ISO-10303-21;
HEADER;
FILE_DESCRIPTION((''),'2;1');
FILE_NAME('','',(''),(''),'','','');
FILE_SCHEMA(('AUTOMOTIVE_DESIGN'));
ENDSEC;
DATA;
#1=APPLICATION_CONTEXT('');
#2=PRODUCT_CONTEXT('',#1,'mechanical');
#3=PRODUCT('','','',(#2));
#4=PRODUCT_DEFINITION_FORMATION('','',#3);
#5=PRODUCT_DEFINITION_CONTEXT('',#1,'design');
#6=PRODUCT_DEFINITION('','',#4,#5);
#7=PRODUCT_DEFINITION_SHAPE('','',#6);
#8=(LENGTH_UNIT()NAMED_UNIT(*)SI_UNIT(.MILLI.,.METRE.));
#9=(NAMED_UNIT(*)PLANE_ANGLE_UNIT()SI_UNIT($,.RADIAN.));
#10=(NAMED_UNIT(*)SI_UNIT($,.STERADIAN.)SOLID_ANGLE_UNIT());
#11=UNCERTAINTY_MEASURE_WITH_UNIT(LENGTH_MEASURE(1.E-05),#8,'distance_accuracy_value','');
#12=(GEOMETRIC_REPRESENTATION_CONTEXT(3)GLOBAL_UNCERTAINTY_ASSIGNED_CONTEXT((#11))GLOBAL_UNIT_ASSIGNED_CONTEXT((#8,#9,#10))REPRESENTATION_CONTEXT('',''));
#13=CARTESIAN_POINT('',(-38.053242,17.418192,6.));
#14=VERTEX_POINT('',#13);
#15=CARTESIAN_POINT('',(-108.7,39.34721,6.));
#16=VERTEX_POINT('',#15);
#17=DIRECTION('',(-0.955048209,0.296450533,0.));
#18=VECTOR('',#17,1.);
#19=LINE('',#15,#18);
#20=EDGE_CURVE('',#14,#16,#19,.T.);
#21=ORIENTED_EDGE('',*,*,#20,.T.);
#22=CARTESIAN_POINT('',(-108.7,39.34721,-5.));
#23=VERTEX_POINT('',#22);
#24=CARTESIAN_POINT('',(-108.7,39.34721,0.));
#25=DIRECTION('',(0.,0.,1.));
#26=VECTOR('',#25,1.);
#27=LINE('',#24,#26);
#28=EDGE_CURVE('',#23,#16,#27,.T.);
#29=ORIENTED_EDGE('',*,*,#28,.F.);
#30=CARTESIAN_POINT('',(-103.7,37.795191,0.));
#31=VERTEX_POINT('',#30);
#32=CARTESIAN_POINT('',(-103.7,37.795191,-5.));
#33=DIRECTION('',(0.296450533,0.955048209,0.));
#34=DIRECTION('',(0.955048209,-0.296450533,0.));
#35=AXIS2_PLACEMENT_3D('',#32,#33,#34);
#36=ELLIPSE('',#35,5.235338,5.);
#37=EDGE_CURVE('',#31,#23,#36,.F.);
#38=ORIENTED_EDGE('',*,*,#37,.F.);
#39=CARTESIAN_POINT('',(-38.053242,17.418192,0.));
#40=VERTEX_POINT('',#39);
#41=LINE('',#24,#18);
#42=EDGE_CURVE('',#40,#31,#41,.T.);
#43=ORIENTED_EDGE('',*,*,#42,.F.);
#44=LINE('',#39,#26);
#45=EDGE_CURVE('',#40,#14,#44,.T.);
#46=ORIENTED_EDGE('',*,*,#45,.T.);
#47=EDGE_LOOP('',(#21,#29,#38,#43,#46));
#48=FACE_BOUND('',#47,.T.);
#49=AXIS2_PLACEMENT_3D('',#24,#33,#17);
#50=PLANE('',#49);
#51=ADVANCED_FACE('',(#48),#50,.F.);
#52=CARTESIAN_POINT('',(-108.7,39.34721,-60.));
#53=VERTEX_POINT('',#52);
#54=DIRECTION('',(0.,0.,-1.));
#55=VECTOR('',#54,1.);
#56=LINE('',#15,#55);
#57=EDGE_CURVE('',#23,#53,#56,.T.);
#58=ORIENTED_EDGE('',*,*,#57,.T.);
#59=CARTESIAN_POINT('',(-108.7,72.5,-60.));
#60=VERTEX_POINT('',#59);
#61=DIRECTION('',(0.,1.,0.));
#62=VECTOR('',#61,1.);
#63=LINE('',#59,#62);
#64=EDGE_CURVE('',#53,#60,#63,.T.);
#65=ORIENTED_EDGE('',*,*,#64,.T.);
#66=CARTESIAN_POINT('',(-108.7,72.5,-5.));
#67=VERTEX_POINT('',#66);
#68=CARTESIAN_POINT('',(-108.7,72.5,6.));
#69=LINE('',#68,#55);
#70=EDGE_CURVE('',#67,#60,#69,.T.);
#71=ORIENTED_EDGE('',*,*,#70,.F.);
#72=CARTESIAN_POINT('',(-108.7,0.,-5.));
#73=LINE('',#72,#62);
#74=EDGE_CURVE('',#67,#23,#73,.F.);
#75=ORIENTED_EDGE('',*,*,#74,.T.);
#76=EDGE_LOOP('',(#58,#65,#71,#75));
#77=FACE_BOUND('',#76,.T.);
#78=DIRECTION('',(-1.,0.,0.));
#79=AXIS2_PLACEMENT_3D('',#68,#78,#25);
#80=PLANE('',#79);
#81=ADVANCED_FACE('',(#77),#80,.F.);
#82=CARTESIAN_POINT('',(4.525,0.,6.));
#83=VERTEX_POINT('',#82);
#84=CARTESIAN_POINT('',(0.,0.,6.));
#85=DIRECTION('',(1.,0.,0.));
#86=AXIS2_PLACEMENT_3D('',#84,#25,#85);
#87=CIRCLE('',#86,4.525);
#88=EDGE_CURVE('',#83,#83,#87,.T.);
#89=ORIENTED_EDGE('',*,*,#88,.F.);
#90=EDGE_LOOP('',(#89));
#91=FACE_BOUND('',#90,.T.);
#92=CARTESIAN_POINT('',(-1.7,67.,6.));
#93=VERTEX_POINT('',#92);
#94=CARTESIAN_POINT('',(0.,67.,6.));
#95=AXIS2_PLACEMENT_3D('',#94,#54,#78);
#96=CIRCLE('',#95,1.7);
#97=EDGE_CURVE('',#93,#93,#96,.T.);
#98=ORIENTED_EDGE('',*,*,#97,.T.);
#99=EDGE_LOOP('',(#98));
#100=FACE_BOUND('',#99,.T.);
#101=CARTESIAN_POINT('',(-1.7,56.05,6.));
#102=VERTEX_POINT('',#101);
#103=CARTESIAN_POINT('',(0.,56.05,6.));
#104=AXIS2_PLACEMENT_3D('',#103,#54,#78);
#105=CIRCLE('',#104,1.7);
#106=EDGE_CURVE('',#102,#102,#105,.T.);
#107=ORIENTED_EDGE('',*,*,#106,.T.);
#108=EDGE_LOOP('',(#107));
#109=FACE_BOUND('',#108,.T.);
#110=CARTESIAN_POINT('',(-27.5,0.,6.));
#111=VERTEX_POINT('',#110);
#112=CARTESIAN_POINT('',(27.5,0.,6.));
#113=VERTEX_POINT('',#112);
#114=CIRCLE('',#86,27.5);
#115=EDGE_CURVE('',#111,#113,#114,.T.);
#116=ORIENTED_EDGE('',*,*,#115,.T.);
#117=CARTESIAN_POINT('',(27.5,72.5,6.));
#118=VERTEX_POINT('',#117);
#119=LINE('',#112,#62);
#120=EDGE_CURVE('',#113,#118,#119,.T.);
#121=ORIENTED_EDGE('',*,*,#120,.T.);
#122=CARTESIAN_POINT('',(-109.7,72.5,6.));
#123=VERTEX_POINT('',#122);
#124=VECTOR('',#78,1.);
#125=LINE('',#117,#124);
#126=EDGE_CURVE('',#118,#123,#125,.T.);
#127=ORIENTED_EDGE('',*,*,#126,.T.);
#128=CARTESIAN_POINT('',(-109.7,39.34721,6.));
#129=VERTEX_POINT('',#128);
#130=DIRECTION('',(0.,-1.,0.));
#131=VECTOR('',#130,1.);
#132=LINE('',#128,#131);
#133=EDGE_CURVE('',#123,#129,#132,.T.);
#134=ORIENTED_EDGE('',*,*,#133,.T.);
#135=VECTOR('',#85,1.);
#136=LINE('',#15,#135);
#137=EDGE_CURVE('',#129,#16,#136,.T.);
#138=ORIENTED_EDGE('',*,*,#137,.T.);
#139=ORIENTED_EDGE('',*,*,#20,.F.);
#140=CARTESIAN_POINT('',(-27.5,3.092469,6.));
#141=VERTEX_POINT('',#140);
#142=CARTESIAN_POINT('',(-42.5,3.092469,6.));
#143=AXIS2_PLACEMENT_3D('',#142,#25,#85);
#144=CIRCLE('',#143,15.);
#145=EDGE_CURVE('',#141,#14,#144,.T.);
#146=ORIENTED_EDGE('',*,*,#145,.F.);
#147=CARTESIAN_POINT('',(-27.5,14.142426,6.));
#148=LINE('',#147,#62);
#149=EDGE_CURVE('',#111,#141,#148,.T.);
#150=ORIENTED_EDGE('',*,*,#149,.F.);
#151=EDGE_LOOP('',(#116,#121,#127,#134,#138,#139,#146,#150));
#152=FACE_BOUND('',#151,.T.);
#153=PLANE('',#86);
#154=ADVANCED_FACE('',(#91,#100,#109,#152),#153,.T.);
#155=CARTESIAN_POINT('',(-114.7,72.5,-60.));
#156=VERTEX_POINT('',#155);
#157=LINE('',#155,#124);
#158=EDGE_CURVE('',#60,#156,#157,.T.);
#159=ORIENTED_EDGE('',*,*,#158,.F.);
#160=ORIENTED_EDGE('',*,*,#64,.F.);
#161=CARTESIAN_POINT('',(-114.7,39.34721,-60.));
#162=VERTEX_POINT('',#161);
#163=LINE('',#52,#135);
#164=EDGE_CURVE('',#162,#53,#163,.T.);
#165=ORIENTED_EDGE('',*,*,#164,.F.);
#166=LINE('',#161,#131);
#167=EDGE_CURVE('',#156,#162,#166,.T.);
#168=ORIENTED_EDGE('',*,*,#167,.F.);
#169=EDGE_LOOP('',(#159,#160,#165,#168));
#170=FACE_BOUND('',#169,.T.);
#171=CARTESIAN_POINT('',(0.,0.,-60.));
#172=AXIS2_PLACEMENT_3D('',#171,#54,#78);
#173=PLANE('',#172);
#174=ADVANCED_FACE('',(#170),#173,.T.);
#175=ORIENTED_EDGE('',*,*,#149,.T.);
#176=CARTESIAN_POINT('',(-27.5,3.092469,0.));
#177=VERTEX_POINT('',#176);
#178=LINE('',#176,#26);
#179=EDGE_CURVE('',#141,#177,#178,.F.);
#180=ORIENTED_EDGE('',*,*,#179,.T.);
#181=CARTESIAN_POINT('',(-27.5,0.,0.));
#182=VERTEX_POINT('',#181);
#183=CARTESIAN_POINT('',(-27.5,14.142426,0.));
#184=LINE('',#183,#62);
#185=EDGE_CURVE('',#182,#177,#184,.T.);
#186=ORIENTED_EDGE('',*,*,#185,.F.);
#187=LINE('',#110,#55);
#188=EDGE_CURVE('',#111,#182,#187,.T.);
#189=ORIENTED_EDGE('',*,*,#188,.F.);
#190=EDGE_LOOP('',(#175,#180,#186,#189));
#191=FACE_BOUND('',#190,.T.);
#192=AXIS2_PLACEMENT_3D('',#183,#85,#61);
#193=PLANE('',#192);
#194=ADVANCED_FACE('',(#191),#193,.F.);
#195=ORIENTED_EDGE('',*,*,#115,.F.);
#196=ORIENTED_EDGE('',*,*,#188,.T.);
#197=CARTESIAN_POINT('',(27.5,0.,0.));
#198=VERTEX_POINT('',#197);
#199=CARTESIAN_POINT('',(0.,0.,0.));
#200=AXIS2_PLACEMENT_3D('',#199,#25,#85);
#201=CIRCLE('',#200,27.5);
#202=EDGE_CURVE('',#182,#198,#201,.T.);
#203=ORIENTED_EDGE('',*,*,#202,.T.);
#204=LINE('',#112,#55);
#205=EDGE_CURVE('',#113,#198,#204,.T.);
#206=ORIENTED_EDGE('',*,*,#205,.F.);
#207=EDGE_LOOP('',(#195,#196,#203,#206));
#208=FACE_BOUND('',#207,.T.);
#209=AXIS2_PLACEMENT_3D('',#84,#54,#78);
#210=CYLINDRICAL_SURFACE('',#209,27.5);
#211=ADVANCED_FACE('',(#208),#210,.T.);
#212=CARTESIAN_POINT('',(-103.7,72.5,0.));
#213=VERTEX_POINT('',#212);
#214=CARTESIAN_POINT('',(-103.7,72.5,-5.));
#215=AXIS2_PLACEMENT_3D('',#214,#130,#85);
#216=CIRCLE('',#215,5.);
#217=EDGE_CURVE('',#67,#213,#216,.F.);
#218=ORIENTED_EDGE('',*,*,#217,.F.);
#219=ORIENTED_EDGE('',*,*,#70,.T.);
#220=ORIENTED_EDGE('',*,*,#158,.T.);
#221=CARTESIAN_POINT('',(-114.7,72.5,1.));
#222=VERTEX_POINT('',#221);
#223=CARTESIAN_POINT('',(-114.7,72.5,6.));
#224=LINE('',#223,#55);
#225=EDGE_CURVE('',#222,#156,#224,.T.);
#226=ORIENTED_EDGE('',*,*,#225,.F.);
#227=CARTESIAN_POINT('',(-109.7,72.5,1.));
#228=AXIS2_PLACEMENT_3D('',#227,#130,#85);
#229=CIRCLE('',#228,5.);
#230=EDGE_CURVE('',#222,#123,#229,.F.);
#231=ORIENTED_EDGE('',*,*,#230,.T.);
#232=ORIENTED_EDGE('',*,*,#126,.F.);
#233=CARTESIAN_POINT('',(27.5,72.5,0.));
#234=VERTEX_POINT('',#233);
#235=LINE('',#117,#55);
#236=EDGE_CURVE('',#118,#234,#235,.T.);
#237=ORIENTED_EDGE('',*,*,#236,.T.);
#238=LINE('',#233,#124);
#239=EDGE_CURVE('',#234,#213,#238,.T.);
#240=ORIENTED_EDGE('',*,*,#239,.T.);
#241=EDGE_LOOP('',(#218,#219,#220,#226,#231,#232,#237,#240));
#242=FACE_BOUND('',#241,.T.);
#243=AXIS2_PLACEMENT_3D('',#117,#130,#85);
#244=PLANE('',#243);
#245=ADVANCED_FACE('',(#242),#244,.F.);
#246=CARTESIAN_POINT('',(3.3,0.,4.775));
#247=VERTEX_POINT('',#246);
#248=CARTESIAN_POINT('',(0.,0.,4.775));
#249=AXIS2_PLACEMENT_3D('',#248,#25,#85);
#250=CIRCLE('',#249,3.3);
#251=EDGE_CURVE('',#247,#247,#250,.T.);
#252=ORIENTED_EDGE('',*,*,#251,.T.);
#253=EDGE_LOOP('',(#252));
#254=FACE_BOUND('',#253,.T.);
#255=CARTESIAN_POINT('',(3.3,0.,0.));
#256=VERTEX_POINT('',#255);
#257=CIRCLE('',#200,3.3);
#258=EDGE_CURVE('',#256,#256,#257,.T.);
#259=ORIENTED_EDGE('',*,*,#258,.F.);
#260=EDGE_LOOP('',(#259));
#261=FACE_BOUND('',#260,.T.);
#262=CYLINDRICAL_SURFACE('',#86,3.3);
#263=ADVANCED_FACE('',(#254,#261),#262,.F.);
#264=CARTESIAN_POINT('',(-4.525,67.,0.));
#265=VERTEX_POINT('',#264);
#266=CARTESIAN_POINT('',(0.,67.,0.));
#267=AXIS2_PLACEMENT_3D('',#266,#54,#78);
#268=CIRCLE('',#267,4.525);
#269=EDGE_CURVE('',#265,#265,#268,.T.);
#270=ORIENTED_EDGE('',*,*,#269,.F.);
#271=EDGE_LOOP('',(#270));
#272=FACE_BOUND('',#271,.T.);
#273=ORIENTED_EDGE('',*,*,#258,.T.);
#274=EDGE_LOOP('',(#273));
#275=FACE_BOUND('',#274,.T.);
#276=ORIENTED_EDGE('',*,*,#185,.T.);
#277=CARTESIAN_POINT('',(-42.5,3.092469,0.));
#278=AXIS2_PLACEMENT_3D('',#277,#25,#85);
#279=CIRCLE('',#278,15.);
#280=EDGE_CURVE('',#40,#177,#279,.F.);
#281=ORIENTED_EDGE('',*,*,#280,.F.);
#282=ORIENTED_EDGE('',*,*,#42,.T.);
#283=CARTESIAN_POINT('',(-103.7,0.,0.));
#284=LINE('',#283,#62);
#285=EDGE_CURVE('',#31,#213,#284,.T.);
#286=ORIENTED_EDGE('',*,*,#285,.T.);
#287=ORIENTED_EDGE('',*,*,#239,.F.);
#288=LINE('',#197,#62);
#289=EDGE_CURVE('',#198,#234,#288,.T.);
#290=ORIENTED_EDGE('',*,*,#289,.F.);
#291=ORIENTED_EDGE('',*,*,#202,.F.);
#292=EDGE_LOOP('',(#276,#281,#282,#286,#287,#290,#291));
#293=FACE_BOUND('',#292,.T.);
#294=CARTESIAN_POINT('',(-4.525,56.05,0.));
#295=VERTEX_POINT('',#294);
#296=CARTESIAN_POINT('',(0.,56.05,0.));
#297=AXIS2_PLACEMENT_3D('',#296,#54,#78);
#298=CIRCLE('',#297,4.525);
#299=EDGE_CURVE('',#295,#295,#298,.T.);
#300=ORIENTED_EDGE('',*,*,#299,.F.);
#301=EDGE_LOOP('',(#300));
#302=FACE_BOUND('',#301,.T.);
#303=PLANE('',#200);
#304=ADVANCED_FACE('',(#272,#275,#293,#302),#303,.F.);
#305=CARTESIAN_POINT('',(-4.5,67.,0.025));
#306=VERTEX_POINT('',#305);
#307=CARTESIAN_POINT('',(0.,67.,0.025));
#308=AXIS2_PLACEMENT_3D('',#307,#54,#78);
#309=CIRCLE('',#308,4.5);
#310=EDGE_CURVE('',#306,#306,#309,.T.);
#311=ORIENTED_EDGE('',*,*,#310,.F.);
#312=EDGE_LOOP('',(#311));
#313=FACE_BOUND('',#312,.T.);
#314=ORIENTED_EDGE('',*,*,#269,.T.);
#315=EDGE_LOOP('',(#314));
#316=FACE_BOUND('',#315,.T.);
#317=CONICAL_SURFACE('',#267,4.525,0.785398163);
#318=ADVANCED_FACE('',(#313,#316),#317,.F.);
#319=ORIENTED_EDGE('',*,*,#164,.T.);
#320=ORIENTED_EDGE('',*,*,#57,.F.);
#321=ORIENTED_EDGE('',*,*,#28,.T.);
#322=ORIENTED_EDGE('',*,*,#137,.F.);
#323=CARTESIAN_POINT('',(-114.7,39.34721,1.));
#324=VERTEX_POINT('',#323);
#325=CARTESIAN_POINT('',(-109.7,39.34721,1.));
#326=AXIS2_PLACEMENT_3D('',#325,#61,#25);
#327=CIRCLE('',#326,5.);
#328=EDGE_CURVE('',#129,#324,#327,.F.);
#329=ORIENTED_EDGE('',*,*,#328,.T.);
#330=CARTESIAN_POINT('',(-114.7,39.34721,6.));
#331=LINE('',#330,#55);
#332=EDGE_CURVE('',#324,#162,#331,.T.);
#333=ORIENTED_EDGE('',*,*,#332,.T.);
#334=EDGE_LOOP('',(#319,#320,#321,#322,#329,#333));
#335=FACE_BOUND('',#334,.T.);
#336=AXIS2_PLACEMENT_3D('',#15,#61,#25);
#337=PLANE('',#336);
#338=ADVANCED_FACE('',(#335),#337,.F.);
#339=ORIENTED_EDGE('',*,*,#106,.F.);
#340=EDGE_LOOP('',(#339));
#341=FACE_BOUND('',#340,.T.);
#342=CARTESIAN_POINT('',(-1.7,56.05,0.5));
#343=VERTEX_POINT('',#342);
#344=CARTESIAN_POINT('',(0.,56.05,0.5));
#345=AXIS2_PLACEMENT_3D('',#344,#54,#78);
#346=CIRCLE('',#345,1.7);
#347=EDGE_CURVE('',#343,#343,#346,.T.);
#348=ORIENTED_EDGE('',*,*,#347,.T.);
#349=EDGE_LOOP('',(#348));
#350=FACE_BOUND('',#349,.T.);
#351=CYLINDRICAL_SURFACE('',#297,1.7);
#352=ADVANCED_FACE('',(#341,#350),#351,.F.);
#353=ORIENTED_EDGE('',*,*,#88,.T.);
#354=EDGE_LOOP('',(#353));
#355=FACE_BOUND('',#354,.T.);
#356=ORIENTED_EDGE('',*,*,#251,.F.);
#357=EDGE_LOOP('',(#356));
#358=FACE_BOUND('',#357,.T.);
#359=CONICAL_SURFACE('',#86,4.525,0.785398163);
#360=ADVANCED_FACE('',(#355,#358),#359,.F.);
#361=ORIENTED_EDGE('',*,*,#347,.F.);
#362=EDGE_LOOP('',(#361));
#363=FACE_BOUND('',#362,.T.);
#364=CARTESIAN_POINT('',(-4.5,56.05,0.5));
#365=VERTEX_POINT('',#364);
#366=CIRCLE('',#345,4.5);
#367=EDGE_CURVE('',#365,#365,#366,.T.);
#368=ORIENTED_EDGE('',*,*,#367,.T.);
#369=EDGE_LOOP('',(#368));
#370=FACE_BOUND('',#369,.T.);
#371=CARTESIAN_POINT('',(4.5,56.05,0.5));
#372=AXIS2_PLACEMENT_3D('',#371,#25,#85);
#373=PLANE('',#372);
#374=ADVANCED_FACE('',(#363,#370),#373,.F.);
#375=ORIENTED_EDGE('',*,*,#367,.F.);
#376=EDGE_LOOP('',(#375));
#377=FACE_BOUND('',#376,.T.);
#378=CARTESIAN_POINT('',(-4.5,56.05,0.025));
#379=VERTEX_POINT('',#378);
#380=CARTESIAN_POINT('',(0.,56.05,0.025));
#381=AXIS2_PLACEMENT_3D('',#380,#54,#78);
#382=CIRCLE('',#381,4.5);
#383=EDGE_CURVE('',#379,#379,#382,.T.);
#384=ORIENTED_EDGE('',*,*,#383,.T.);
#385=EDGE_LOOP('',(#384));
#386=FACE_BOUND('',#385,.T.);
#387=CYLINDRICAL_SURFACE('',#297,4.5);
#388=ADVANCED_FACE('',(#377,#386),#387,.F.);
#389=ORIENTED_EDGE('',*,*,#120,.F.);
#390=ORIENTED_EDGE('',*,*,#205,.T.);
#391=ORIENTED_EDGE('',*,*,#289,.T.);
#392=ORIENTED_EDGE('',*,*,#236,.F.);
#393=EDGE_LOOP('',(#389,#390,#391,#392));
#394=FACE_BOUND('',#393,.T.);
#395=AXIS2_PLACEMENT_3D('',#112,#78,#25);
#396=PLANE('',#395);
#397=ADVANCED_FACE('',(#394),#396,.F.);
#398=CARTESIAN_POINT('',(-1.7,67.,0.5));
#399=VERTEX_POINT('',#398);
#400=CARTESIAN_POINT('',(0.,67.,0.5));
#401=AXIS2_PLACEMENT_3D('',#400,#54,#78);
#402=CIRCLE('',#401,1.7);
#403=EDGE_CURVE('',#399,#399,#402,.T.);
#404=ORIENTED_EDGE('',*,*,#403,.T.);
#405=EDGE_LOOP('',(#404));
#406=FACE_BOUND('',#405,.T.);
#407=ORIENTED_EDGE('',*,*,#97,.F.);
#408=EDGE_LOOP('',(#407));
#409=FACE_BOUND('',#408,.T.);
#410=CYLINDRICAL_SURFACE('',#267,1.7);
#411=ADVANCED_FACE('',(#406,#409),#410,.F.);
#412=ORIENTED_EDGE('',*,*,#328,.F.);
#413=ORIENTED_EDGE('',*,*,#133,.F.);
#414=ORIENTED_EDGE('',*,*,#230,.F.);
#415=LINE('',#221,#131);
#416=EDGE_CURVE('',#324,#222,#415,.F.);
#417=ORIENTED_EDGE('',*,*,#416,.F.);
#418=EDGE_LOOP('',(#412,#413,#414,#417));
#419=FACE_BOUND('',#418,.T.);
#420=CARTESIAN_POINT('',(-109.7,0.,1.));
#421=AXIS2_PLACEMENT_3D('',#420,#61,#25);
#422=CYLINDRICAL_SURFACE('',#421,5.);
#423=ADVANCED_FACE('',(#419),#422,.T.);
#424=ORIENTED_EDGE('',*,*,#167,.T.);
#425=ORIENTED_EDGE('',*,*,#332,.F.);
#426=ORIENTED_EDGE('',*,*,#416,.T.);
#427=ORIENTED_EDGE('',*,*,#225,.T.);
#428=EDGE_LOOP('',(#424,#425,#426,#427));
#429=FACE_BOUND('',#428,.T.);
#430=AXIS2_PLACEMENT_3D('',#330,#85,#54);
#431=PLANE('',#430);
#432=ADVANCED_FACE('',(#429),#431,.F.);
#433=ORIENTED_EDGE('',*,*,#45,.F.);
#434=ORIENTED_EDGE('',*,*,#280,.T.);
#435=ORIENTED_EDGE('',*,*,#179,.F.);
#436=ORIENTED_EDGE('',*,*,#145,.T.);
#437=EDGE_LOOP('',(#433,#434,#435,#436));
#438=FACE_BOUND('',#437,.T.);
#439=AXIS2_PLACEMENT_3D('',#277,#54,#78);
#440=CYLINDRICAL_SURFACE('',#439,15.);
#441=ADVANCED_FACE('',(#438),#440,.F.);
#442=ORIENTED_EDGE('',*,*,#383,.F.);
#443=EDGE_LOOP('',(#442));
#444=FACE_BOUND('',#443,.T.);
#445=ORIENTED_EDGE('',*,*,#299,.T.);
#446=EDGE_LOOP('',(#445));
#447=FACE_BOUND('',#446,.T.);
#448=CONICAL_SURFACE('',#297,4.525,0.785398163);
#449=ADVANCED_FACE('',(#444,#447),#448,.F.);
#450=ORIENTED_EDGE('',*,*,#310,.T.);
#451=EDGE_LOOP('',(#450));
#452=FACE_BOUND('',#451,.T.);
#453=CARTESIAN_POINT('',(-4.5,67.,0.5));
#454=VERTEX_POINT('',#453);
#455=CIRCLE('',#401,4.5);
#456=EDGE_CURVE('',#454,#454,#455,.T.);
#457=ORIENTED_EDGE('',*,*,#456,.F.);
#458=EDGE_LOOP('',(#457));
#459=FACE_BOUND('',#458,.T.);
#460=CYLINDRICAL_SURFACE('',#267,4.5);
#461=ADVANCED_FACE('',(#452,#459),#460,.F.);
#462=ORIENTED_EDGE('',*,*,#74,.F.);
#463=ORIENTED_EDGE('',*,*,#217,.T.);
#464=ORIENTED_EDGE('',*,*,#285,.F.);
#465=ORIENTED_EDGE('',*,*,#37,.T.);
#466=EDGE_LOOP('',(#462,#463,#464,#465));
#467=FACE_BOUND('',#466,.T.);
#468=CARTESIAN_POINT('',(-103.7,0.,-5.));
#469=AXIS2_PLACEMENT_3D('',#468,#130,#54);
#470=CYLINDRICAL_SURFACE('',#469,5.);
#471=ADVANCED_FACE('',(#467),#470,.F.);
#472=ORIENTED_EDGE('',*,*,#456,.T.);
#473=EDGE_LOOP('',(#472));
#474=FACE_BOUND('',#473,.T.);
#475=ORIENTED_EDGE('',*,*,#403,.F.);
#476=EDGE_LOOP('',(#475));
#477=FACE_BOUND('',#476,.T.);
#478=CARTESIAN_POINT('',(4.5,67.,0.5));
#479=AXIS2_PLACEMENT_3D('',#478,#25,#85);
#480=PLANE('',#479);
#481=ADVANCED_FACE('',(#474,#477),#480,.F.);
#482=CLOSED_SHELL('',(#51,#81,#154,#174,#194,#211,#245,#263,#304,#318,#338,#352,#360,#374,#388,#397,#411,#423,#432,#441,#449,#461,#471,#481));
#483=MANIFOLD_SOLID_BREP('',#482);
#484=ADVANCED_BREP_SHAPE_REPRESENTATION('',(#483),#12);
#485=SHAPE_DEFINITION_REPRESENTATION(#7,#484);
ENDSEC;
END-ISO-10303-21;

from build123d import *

# Parameters (mm, degrees)
ESTRUSIONE_ESTRUSIONE1_DEPTH                 = 6
SCHIZZO3_W                                   = 136.2
SCHIZZO3_H                                   = 72.5
ESTRUSIONE_ESTRUSIONE2_DEPTH                 = 6
TAGLIO_ESTRUSIONE1_DEPTH                     = 131.797324132
RACCORDO5_R                                  = 15
ESTRUSIONE_ESTRUSIONE5_DEPTH                 = 6
ESTRUSIONE_ESTRUSIONE5_DEPTH_BACK            = 60
SCHIZZO9_W                                   = 6
SCHIZZO9_H                                   = 33.15279029
RACCORDO6_R                                  = 5
RACCORDO7_R                                  = 5
FORO_FILETTATO_G1_16_1_D                     = 6.6
FORO_FILETTATO_G1_16_1_CSINK_D               = 9.05
FORO_FILETTATO_G1_16_1_CSINK_ANGLE           = 90
FORO_LAMATO_PER_BULLONE_M3_A_TESTA_E_2_COUNT = 2
FORO_LAMATO_PER_BULLONE_M3_A_TESTA_E_2_PITCH = 10.95


with BuildPart() as part:
    # Schizzo2 → Estrusione-Estrusione1 (new body)
    with BuildSketch(Plane.XY):
        with BuildLine():
            Line((-27.5, 0), (-27.5, 45))
            ThreePointArc((-27.5, 45), (0, 72.5), (27.5, 45))
            Line((27.5, 45), (27.5, 0))
            ThreePointArc((27.5, 0), (0, -27.5), (-27.5, 0))
        make_face()
    extrude(amount=ESTRUSIONE_ESTRUSIONE1_DEPTH)

    # Schizzo3 → Estrusione-Estrusione2 (add)
    with BuildSketch(Plane.XY):
        with Locations((-40.6, 36.25)):
            Rectangle(SCHIZZO3_W, SCHIZZO3_H)
    extrude(amount=ESTRUSIONE_ESTRUSIONE2_DEPTH)

    # Schizzo4 → Taglio-Estrusione1 (cut, through all)
    with BuildSketch(Plane.XY.offset(6)):
        Polygon((-27.5, 0), (-108.7, 0), (-108.7, 39.34720971), (-27.5, 14.142426235), align=None)
    extrude(amount=-TAGLIO_ESTRUSIONE1_DEPTH, mode=Mode.SUBTRACT)

    # Raccordo5
    raccordo5_edges = [part.edges().sort_by_distance(p)[0] for p in [
        (-27.5, 14.142426235, 3),
    ]]
    fillet(raccordo5_edges, radius=RACCORDO5_R)

    # Schizzo9 → Estrusione-Estrusione5 (add, two sides: drawn at the far end of the back side and taken through both)
    with BuildSketch(Plane.XY.offset(-ESTRUSIONE_ESTRUSIONE5_DEPTH_BACK)):
        with Locations((-111.7, 55.923604855)):
            Rectangle(SCHIZZO9_W, SCHIZZO9_H)
    extrude(amount=ESTRUSIONE_ESTRUSIONE5_DEPTH + ESTRUSIONE_ESTRUSIONE5_DEPTH_BACK)

    # Raccordo6
    raccordo6_edges = [part.edges().sort_by_distance(p)[0] for p in [
        (-108.7, 55.923604855, 0),
    ]]
    fillet(raccordo6_edges, radius=RACCORDO6_R)

    # Raccordo7
    raccordo7_edges = [part.edges().sort_by_distance(p)[0] for p in [
        (-114.7, 55.923604855, 6),
    ]]
    fillet(raccordo7_edges, radius=RACCORDO7_R)

    # Foro filettato G1/16-1 (through all)
    with Locations(Plane.XY.offset(6)):
        with Locations((0, 0)):
            CounterSinkHole(FORO_FILETTATO_G1_16_1_D / 2, FORO_FILETTATO_G1_16_1_CSINK_D / 2, counter_sink_angle=FORO_FILETTATO_G1_16_1_CSINK_ANGLE)

    # Schizzo20 → Foro lamato per Bullone M3 a testa esagonale-3 (revolve, cut)
    with BuildSketch(Plane(origin=(0, 67, 0), x_dir=(0, 1, 0), z_dir=(1, 0, 0))):
        Polygon((0, 0), (0, 6), (1.7, 6), (1.7, 0.5), (4.5, 0.5), (4.5, 0.025), (4.525, 0), align=None)
    foro_lamato_per_bullone_m3_a_testa_esago = revolve(axis=Axis((0, 67, -6.35), (0, 0, 1)), mode=Mode.SUBTRACT)

    # Foro lamato per Bullone M3 a testa e 2: Foro lamato per Bullone M3 a testa esagonale-3 ×2
    with Locations(*[(0, -i * FORO_LAMATO_PER_BULLONE_M3_A_TESTA_E_2_PITCH, 0) for i in range(1, FORO_LAMATO_PER_BULLONE_M3_A_TESTA_E_2_COUNT)]):
        add(foro_lamato_per_bullone_m3_a_testa_esago, mode=Mode.SUBTRACT)


solid = part.part
